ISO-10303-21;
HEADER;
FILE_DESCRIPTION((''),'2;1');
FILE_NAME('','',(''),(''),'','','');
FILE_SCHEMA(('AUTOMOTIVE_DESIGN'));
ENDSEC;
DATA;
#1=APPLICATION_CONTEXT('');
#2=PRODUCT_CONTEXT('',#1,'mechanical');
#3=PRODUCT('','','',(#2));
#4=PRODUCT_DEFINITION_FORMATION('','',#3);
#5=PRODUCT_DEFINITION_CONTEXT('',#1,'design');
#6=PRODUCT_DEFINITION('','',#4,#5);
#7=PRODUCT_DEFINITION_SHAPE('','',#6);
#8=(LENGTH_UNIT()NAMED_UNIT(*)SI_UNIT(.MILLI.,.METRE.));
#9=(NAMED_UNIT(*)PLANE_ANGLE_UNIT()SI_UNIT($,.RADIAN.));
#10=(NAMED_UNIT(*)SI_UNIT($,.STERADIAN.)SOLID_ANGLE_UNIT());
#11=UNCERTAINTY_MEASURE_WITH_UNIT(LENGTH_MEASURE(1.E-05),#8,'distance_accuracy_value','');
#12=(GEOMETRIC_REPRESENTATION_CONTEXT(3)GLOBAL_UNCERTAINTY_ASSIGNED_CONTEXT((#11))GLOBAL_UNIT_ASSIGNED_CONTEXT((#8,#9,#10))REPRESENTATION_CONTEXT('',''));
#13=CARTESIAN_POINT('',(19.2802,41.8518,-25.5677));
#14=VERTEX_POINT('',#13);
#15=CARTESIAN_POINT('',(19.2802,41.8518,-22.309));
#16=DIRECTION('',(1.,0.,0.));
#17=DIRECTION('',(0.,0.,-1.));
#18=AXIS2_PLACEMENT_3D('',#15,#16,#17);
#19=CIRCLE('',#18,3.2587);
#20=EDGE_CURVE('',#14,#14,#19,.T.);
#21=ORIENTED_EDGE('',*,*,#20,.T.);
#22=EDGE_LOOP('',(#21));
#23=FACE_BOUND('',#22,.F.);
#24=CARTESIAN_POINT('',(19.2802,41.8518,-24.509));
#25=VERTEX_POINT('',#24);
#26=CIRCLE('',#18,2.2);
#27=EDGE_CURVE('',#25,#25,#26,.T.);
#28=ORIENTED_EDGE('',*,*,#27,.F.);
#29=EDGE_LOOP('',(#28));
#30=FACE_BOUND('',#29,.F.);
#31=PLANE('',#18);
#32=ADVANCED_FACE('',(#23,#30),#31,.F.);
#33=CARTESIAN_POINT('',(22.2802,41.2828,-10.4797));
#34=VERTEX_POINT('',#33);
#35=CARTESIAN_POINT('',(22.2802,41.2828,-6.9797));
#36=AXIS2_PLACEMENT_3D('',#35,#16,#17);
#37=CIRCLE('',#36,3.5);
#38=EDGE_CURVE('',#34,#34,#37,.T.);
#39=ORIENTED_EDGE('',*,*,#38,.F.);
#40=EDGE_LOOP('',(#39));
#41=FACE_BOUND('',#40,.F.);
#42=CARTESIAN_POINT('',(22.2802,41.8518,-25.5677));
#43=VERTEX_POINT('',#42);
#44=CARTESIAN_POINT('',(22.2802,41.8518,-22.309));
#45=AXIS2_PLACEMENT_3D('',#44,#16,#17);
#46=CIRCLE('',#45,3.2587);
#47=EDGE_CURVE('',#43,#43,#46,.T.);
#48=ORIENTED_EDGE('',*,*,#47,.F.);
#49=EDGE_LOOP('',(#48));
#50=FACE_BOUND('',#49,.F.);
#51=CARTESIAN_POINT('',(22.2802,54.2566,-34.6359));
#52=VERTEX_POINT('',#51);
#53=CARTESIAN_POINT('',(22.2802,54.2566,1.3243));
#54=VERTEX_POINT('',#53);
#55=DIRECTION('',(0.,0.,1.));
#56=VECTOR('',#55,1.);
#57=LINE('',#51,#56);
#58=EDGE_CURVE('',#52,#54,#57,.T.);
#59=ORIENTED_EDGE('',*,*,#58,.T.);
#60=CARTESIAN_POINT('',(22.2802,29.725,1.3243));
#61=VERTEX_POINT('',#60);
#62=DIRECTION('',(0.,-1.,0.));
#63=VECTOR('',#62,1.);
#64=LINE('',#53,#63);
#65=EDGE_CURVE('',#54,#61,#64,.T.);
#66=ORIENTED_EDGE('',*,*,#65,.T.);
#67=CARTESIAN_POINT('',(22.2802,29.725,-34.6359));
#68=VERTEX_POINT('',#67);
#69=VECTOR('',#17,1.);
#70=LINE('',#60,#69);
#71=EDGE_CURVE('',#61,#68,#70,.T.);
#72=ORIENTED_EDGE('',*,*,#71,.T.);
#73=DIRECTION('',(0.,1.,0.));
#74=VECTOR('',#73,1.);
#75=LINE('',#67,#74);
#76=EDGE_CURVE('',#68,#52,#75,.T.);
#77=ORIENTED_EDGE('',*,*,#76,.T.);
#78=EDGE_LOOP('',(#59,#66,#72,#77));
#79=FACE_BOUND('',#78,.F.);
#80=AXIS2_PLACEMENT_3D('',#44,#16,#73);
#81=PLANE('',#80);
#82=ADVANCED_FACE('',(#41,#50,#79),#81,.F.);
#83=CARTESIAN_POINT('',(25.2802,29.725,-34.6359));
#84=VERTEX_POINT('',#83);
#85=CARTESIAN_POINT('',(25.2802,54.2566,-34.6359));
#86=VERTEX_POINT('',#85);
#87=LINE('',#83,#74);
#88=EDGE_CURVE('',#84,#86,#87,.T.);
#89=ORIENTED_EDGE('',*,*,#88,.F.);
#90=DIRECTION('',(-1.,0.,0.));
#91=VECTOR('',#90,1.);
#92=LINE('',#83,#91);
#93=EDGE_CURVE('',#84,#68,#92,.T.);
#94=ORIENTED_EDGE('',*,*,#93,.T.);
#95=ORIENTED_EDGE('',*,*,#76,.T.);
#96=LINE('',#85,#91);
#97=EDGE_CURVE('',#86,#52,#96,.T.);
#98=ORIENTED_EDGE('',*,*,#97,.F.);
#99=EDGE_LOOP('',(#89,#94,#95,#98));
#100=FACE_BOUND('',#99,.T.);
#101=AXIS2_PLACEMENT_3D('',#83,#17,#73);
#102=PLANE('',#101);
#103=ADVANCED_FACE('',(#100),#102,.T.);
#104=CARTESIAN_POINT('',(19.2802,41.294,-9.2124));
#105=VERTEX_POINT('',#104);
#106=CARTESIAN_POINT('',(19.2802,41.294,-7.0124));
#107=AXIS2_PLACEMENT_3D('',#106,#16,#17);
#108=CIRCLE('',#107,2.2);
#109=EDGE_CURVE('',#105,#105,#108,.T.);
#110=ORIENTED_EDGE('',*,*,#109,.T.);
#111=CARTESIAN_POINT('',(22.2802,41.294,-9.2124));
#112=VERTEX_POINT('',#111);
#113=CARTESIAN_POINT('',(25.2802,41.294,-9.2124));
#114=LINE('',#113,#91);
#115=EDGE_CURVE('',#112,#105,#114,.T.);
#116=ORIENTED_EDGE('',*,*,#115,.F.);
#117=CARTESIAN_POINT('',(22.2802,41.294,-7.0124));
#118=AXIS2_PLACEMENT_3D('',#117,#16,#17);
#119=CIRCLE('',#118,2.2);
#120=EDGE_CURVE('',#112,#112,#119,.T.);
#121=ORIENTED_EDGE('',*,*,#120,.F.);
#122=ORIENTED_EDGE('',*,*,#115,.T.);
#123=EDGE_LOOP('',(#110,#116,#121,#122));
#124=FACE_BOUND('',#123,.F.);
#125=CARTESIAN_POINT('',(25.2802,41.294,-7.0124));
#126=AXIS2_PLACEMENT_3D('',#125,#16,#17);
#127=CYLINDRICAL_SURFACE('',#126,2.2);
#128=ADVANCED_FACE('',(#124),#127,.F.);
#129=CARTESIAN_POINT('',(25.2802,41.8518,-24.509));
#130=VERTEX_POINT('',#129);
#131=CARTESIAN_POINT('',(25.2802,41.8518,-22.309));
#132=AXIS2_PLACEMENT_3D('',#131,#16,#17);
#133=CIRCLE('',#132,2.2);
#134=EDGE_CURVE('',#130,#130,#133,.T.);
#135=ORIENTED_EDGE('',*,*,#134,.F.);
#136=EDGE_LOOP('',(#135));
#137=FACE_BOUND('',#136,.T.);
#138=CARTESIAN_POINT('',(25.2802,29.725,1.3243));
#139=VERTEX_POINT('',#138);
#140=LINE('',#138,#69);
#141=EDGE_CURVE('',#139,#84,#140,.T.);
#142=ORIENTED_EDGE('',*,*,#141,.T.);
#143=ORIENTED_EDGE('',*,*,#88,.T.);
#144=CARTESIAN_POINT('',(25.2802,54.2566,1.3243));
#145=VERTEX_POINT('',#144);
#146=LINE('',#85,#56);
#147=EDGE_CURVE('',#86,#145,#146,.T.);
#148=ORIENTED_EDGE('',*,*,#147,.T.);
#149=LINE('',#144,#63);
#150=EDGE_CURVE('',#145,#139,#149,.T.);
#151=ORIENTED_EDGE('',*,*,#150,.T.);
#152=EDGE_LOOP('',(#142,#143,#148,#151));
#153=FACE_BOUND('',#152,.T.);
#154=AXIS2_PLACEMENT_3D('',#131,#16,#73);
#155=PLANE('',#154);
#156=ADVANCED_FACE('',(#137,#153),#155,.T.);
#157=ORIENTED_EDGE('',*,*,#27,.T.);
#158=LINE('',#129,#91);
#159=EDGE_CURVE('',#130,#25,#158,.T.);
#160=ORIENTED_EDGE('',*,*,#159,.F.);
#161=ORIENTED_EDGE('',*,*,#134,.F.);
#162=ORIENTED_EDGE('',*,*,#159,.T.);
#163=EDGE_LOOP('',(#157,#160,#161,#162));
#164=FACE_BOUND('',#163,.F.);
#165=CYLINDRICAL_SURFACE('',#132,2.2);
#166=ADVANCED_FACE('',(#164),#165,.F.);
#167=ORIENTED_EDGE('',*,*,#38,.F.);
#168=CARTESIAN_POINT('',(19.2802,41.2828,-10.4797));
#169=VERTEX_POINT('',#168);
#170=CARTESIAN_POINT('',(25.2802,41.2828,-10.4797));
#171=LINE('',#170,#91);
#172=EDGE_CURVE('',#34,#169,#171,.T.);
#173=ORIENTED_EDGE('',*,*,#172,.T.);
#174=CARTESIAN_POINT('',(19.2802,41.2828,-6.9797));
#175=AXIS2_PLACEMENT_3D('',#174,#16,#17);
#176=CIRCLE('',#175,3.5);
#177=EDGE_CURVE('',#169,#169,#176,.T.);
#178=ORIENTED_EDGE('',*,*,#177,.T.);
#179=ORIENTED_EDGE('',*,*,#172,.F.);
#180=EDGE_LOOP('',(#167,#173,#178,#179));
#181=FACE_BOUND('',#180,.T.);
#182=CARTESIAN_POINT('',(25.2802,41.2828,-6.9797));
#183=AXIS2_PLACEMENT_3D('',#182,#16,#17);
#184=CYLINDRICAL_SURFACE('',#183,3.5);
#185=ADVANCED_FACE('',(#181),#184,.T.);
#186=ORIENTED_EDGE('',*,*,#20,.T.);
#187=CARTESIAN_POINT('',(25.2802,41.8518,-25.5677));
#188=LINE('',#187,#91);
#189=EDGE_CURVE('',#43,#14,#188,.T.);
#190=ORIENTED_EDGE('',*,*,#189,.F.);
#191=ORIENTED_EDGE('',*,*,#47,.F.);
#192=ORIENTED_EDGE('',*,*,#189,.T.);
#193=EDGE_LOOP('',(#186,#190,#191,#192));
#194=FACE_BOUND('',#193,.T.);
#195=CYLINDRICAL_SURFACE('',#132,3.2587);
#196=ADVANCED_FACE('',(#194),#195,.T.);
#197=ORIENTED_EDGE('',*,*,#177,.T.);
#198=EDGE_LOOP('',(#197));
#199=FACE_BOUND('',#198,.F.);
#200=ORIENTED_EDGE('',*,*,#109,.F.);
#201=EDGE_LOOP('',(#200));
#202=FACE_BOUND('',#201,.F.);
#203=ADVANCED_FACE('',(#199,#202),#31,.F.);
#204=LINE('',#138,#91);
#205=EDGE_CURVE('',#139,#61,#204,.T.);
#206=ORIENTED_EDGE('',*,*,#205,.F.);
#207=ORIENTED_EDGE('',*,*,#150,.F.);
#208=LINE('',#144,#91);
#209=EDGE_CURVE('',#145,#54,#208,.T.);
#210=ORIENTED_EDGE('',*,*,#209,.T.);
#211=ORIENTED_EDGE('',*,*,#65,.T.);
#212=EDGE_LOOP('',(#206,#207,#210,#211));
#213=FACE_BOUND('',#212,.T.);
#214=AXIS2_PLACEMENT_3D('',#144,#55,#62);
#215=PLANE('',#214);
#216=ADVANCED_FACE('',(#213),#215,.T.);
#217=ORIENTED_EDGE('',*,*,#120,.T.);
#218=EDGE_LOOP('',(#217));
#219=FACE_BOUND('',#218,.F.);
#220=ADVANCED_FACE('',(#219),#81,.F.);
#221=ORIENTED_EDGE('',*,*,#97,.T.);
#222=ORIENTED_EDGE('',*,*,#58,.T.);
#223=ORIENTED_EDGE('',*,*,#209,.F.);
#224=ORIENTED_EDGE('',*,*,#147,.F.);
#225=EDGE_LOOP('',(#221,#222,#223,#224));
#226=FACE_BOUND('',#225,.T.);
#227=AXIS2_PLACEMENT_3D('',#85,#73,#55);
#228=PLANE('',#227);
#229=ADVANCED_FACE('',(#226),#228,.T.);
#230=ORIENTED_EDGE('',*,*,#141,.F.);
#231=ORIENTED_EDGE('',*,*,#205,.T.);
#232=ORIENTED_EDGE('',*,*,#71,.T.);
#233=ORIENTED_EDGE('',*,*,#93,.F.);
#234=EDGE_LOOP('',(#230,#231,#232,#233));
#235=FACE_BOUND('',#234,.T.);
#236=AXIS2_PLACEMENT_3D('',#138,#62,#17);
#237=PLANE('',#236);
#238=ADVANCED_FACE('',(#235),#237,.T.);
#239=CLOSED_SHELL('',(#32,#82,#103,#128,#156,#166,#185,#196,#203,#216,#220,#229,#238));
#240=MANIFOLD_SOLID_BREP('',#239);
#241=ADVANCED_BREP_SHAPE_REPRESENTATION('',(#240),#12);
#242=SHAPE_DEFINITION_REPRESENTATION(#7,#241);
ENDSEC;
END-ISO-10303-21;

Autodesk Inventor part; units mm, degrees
ref_plane "YZ Plane" through (0, 0, 0) normal (1, 0, 0) x (0, 1, 0)
ref_plane "XZ Plane" through (0, 0, 0) normal (0, 1, 0) x (-1, 0, 0)
ref_plane "Work Plane1" through (25.2802, 41.8518, -22.309) normal (1, 0, 0) x (0, 1, 0)
sketch "Sketch1" plane through (25.2802, 41.8518, -22.309) normal (1, 0, 0) x (0, 1, 0)
  line L0 (12.4048, 23.6333) -> (-12.1268, 23.6333) projected
  line L1 (-12.1268, 23.6333) -> (-12.1268, -12.3269) projected
  line L2 (12.4048, -12.3269) -> (12.4048, 23.6333) projected
  line L3 (-12.1268, -12.3269) -> (12.4048, -12.3269) projected
  circle A0 centre (0, 0) radius 2.2
  circle A1 centre (-0.5578, 15.2966) radius 2.2
  line L4 (12.4048, 23.6333) -> (-12.1268, 23.6333)
  line L5 (-12.1268, 23.6333) -> (-12.1268, -12.3269)
  line L6 (-12.1268, -12.3269) -> (12.4048, -12.3269)
  line L7 (12.4048, -12.3269) -> (12.4048, 23.6333)
  circle A2 centre (-0.569, 15.3293) radius 3.5 projected
  circle A3 centre (0, 0) radius 3.2587 projected
  point P0 (-41.8518, 22.309)
extrude "Extrusion1" add sketch "Sketch1" against normal blind 3 contours L2 L3 L1 L0 | A1
sketch "Sketch2" plane through (25.2802, 41.8518, -22.309) normal (1, 0, 0) x (0, 0, -1)
  circle A0 centre (-15.2966, -0.5578) radius 2.2
  circle A1 centre (0, 0) radius 2.2
  circle A2 centre (-15.3293, -0.569) radius 3.5 projected
  circle A3 centre (-15.3293, -0.569) radius 3.5
  circle A4 centre (0, 0) radius 3.2587
  point P0 (-22.309, -41.8518)
extrude "Extrusion2" add sketch "Sketch2" against normal blind 6
properties part number "GearBoxLid2"
